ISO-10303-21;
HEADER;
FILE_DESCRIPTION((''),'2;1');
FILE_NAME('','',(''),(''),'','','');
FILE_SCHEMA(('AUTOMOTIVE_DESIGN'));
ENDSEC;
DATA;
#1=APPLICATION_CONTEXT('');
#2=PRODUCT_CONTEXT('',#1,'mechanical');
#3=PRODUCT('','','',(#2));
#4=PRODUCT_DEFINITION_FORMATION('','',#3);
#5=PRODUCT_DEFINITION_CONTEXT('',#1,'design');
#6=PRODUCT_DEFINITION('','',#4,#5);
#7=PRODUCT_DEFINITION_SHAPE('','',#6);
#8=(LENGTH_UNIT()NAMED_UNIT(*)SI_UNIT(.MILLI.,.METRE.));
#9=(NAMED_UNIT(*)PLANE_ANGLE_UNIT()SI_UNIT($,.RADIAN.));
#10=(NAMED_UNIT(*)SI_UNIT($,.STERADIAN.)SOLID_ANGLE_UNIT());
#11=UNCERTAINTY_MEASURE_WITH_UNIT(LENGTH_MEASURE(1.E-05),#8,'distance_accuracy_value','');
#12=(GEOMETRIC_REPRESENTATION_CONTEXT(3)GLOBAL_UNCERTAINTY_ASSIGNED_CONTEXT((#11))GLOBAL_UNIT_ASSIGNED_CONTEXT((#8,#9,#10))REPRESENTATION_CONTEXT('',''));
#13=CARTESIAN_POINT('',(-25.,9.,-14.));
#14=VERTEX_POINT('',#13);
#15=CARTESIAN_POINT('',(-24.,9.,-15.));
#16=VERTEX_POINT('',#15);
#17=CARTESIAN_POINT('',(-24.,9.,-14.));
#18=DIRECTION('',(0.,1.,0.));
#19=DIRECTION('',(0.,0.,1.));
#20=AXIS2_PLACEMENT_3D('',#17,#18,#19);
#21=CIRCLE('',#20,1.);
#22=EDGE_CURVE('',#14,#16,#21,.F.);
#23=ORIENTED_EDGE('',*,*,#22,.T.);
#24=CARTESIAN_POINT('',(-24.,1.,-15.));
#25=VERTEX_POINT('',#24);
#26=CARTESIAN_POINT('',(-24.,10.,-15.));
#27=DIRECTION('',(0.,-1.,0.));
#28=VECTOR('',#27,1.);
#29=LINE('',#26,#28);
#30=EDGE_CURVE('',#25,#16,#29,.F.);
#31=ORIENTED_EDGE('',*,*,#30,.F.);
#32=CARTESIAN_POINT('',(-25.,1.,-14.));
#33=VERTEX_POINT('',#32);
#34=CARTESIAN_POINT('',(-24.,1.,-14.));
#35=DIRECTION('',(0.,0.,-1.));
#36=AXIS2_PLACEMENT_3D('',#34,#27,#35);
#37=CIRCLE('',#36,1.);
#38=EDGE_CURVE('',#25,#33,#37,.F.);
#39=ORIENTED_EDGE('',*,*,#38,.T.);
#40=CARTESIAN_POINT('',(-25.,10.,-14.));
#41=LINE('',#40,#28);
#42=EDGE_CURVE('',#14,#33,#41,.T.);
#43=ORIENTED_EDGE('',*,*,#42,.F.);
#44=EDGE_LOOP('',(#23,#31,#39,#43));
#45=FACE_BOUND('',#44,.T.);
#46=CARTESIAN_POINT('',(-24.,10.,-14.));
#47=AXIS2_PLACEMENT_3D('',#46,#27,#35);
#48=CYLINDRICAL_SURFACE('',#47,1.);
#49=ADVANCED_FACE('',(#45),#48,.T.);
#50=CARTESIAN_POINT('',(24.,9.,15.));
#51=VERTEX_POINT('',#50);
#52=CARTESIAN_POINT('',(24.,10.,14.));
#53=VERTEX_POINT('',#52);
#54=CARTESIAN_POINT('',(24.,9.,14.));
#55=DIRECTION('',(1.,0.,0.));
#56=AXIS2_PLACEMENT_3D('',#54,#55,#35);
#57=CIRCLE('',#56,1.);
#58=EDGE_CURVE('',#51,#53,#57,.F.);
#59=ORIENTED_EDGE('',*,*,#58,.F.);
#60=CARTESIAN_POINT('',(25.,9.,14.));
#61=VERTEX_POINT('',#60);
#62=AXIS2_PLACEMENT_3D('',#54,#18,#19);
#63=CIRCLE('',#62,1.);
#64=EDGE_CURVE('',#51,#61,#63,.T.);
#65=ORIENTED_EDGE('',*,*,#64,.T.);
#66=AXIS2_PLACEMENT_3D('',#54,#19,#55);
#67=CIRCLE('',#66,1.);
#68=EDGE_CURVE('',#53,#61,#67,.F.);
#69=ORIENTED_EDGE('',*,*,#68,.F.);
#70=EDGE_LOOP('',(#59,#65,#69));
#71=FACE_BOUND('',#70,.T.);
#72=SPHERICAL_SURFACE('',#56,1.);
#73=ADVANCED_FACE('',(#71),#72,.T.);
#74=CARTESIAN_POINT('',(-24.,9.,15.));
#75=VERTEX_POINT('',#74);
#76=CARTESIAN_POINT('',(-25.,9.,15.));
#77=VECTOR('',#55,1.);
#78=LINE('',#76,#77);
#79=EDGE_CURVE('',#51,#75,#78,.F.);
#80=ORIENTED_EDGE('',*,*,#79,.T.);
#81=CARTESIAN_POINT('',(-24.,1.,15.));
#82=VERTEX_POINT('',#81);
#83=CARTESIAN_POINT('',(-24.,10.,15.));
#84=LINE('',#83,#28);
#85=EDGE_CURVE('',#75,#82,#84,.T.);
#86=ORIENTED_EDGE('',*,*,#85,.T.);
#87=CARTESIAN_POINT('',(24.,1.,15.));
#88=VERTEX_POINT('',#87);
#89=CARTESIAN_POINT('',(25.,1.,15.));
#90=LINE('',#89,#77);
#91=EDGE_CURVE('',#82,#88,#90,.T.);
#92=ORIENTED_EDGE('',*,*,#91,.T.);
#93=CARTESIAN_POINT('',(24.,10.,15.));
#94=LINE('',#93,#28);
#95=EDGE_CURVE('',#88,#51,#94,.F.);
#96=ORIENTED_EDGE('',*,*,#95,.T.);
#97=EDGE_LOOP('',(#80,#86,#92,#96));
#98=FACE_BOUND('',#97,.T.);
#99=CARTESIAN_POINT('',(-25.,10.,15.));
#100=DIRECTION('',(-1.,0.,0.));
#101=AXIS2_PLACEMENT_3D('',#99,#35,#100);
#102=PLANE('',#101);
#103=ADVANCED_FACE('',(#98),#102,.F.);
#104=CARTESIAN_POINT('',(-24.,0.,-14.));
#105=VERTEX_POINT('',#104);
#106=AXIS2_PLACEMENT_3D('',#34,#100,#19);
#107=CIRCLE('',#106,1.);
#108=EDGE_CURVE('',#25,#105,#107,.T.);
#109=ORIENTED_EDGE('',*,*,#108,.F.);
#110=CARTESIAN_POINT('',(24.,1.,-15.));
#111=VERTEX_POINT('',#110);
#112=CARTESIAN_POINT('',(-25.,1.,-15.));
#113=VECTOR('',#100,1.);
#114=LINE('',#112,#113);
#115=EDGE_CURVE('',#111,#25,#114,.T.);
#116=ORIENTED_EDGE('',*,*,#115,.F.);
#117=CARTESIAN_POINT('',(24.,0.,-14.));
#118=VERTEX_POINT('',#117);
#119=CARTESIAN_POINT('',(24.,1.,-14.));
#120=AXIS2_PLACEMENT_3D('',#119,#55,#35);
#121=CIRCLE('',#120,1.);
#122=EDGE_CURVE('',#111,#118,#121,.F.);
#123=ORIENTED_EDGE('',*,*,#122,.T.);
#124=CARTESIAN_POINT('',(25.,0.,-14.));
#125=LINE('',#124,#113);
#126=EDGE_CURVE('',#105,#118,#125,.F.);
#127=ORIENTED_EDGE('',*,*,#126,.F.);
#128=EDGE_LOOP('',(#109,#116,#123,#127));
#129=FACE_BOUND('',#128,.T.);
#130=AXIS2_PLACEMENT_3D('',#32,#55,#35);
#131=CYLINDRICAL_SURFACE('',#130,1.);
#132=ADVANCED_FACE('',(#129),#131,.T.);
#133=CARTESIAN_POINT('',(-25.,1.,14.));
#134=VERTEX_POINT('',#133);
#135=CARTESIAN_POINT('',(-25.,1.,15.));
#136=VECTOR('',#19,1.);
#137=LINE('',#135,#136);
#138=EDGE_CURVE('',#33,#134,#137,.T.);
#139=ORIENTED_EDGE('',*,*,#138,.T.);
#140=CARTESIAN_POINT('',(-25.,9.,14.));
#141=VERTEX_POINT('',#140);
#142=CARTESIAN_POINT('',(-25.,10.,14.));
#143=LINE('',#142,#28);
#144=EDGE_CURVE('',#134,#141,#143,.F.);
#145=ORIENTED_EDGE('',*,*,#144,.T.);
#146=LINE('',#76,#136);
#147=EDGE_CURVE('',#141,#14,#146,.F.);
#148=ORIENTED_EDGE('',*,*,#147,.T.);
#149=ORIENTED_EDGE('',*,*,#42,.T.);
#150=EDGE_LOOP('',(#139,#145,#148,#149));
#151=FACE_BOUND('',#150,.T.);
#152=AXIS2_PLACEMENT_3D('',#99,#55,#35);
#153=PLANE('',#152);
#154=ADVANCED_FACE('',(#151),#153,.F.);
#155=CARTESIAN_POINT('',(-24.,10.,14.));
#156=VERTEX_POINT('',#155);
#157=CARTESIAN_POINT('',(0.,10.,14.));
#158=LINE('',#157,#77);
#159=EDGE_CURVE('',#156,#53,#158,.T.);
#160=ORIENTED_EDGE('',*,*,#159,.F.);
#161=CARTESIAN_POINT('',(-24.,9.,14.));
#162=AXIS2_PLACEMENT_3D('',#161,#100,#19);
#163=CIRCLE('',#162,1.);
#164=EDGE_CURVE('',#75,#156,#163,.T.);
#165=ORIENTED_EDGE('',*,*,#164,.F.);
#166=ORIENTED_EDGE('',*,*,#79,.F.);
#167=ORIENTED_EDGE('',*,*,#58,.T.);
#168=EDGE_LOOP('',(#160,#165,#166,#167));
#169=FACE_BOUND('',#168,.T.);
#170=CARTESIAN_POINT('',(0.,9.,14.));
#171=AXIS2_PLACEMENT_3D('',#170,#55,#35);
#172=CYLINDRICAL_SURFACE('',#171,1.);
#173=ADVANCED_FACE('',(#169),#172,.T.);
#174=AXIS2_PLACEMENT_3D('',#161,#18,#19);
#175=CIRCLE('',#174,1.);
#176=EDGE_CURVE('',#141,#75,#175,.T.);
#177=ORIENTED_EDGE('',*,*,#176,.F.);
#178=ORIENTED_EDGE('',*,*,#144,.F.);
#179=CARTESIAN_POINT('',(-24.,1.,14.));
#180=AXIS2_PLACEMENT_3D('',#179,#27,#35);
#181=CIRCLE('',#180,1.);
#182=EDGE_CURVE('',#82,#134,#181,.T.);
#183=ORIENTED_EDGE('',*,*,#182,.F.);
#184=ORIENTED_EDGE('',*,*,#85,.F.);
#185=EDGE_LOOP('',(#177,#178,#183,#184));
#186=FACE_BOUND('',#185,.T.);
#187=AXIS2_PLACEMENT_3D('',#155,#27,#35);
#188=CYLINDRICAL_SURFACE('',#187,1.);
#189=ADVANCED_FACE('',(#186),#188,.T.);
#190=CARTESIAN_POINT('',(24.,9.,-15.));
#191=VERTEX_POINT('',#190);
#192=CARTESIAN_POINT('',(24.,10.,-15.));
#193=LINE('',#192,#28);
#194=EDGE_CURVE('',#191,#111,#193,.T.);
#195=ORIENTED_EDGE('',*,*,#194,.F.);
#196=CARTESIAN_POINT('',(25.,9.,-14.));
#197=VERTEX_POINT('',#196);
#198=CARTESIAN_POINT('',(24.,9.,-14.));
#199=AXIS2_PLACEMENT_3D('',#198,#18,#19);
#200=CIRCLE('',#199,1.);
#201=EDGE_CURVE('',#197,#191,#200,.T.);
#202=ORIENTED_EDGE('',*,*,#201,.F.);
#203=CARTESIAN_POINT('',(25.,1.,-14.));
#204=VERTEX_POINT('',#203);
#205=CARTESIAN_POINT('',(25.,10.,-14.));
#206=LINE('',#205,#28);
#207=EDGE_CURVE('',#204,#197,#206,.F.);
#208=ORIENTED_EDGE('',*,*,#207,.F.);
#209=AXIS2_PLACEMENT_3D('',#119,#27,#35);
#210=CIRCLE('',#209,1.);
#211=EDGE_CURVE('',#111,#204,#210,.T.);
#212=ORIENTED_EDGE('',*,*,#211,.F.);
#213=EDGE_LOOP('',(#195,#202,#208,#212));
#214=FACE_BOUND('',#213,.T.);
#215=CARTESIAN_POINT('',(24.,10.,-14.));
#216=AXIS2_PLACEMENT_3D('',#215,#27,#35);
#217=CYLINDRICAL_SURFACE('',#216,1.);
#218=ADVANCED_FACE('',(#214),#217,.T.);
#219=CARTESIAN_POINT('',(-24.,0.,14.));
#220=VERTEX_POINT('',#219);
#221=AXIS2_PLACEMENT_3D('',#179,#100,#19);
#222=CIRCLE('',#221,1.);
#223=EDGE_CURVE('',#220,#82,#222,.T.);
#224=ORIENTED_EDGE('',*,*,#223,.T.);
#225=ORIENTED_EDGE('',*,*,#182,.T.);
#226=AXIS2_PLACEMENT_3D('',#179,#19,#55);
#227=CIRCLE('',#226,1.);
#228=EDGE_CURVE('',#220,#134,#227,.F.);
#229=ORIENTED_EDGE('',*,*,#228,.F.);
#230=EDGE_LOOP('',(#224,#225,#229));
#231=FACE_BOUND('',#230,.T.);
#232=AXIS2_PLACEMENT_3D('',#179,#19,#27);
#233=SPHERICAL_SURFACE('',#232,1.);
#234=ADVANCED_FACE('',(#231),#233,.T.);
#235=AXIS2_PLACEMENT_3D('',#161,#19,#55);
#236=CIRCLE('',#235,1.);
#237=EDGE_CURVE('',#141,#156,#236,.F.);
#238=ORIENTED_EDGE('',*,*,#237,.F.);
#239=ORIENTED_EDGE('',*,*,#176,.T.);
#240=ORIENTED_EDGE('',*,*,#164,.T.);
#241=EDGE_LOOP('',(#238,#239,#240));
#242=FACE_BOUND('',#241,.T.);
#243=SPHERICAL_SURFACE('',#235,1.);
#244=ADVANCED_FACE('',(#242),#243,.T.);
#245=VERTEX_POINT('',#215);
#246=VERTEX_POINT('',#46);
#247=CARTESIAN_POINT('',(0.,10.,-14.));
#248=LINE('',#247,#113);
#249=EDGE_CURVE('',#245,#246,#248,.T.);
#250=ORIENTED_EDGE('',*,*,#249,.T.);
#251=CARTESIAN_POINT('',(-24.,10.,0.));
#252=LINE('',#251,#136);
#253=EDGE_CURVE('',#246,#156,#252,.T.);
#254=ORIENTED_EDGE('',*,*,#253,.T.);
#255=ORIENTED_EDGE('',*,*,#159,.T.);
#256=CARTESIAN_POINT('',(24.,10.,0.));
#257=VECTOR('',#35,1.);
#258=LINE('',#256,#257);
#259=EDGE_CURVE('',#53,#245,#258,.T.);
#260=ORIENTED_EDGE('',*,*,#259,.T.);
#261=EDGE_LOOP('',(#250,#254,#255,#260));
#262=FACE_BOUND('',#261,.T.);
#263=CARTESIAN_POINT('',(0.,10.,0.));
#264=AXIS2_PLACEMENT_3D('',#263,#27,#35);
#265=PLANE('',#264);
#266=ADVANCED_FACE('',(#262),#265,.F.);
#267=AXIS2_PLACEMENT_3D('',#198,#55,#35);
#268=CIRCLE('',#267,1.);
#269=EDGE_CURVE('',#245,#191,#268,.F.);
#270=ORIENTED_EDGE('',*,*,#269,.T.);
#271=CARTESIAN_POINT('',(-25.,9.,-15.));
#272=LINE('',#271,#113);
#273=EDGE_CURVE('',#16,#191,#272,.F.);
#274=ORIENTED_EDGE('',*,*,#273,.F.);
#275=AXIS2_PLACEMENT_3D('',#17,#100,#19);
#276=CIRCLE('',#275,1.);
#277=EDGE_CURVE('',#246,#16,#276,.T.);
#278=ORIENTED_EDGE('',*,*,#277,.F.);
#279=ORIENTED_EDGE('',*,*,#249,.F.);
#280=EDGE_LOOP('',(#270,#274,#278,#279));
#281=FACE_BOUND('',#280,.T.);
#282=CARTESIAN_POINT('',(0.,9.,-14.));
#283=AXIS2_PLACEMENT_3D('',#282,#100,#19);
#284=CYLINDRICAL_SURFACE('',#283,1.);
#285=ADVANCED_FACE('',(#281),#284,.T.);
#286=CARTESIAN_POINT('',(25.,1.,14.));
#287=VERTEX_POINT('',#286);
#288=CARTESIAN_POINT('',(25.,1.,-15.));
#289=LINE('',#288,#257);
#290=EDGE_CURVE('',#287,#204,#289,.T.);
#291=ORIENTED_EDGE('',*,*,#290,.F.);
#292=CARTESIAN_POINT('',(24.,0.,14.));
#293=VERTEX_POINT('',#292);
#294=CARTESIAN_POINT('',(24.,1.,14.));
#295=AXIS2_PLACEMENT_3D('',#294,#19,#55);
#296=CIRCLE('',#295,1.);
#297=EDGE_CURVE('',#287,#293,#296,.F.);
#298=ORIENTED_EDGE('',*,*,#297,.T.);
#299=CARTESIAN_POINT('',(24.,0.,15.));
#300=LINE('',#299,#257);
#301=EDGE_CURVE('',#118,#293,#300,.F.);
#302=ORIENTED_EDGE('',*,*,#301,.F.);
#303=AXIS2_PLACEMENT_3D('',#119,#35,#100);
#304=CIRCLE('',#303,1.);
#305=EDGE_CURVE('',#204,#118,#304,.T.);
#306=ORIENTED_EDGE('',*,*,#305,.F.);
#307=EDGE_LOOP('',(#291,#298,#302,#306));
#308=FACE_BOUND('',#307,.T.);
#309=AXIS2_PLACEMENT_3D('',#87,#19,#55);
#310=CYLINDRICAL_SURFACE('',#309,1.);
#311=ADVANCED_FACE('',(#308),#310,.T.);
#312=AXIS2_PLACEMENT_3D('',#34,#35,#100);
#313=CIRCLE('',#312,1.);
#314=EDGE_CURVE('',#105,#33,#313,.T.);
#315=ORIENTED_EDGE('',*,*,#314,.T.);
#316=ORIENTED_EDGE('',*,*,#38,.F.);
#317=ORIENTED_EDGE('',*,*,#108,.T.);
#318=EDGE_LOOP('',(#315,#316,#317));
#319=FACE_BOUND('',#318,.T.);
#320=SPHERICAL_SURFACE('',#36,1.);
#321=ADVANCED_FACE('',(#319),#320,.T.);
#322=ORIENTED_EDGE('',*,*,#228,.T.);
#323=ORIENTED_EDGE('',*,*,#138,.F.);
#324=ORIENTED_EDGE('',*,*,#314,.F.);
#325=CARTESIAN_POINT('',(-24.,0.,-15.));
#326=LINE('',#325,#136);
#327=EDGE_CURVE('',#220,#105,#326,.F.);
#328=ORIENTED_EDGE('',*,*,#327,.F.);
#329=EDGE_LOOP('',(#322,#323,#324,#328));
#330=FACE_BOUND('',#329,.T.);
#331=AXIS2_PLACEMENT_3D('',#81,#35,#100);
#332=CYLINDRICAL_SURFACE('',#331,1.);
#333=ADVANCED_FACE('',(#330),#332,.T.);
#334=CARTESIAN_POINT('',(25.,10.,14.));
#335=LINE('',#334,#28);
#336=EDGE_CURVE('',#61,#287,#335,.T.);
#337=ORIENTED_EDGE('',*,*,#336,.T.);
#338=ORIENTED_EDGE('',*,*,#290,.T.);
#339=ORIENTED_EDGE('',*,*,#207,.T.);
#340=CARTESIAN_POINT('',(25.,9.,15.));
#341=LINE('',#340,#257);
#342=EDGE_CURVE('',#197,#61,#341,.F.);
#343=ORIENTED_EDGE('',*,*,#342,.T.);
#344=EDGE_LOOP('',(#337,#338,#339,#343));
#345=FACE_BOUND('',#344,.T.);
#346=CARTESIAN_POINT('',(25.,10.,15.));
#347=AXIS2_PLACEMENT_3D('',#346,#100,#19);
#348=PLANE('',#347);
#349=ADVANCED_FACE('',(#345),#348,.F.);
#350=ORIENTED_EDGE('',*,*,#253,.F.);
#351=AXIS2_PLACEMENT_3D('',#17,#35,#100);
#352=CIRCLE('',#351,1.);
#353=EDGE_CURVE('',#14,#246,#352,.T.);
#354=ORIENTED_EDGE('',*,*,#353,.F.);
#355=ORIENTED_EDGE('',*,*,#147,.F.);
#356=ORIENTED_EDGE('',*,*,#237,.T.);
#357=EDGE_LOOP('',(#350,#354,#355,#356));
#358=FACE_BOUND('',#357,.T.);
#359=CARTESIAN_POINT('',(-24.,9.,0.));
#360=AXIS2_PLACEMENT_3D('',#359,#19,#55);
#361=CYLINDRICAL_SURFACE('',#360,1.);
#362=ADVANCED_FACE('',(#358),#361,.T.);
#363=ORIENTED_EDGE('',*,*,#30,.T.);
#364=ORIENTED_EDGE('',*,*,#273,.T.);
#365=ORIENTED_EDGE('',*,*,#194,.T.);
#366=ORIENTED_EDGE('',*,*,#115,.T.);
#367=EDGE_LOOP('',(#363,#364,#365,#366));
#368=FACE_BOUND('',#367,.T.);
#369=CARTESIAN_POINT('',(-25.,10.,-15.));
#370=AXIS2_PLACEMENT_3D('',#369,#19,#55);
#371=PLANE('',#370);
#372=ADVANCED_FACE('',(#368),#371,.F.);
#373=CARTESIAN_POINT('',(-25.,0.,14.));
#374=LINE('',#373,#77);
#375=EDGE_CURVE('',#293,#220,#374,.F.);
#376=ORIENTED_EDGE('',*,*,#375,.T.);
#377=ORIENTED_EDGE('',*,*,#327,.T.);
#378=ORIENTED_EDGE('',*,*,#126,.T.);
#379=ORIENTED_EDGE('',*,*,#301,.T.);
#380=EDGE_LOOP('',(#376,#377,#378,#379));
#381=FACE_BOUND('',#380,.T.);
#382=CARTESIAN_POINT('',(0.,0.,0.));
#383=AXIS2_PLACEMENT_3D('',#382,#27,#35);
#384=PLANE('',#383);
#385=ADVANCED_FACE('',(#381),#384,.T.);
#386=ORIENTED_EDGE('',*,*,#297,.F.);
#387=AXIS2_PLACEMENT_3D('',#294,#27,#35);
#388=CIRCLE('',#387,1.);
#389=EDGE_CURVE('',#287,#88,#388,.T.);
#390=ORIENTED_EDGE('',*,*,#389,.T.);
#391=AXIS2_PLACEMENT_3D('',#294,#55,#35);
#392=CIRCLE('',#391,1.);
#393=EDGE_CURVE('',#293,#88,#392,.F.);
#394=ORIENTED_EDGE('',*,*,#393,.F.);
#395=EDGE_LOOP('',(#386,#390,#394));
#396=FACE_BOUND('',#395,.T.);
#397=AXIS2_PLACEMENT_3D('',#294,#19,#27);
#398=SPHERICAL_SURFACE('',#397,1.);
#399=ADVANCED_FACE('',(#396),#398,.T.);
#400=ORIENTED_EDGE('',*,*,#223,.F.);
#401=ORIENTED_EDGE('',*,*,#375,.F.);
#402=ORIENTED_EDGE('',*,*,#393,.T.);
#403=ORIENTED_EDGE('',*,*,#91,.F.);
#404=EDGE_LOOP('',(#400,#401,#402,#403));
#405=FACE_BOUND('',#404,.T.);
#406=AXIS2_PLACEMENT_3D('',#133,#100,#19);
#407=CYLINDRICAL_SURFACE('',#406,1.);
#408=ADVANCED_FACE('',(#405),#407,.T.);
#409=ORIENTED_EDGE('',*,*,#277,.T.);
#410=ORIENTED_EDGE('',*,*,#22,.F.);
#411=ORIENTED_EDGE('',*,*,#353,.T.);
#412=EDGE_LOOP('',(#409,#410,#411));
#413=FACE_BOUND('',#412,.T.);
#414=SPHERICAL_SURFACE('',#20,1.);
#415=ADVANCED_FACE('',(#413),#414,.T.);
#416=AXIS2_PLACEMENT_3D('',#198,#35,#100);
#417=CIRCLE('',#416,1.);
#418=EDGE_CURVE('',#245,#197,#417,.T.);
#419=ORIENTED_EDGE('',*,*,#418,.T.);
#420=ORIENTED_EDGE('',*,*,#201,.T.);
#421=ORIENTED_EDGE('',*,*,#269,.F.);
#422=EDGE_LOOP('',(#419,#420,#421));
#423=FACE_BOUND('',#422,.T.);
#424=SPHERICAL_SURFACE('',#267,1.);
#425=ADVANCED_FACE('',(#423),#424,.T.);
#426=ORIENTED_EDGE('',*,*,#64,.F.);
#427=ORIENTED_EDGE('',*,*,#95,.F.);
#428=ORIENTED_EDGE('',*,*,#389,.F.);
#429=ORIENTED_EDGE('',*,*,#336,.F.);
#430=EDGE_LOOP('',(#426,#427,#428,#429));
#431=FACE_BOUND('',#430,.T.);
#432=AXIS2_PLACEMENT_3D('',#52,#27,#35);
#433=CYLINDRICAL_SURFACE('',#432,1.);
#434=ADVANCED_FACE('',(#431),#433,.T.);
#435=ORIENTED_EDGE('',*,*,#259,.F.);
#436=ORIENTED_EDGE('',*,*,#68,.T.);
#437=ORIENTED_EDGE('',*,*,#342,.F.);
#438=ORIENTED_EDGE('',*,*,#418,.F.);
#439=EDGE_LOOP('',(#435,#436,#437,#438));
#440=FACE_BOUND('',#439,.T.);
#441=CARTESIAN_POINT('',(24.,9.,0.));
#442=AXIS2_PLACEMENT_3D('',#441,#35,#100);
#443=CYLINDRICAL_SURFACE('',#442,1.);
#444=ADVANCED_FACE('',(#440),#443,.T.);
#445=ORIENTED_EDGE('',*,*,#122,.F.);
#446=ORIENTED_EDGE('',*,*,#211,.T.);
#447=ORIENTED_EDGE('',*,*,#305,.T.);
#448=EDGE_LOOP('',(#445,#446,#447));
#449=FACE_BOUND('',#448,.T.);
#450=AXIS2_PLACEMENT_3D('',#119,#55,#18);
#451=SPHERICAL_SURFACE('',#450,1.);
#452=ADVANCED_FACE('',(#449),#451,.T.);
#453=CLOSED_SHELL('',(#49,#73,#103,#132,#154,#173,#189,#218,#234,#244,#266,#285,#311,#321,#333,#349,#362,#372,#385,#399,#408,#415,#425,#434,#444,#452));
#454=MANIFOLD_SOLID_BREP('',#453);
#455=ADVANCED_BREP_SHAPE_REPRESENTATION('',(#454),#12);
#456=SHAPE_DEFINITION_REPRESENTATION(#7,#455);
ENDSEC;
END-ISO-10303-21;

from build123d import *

# Parameters (mm, degrees)
SKETCH1_W           = 50
SKETCH1_H           = 30
BOSS_EXTRUDE1_DEPTH = 10
FILLET1_R           = 1


with BuildPart() as part:
    # Sketch1 → Boss-Extrude1 (new body)
    with BuildSketch(Plane(origin=(0, 0, 0), x_dir=(1, 0, 0), z_dir=(0, 1, 0))):
        Rectangle(SKETCH1_W, SKETCH1_H)
    extrude(amount=BOSS_EXTRUDE1_DEPTH)

    # Fillet1
    fillet1_edges = [part.edges().sort_by_distance(p)[0] for p in [
        (25, 10, 0),
        (0, 10, -15),
        (-25, 10, 0),
        (0, 0, -15),
        (25, 0, 0),
        (0, 0, 15),
        (-25, 0, 0),
        (-25, 5, -15),
        (25, 5, -15),
        (25, 5, 15),
        (-25, 5, 15),
        (0, 10, 15),
    ]]
    fillet(fillet1_edges, radius=FILLET1_R)


solid = part.part
